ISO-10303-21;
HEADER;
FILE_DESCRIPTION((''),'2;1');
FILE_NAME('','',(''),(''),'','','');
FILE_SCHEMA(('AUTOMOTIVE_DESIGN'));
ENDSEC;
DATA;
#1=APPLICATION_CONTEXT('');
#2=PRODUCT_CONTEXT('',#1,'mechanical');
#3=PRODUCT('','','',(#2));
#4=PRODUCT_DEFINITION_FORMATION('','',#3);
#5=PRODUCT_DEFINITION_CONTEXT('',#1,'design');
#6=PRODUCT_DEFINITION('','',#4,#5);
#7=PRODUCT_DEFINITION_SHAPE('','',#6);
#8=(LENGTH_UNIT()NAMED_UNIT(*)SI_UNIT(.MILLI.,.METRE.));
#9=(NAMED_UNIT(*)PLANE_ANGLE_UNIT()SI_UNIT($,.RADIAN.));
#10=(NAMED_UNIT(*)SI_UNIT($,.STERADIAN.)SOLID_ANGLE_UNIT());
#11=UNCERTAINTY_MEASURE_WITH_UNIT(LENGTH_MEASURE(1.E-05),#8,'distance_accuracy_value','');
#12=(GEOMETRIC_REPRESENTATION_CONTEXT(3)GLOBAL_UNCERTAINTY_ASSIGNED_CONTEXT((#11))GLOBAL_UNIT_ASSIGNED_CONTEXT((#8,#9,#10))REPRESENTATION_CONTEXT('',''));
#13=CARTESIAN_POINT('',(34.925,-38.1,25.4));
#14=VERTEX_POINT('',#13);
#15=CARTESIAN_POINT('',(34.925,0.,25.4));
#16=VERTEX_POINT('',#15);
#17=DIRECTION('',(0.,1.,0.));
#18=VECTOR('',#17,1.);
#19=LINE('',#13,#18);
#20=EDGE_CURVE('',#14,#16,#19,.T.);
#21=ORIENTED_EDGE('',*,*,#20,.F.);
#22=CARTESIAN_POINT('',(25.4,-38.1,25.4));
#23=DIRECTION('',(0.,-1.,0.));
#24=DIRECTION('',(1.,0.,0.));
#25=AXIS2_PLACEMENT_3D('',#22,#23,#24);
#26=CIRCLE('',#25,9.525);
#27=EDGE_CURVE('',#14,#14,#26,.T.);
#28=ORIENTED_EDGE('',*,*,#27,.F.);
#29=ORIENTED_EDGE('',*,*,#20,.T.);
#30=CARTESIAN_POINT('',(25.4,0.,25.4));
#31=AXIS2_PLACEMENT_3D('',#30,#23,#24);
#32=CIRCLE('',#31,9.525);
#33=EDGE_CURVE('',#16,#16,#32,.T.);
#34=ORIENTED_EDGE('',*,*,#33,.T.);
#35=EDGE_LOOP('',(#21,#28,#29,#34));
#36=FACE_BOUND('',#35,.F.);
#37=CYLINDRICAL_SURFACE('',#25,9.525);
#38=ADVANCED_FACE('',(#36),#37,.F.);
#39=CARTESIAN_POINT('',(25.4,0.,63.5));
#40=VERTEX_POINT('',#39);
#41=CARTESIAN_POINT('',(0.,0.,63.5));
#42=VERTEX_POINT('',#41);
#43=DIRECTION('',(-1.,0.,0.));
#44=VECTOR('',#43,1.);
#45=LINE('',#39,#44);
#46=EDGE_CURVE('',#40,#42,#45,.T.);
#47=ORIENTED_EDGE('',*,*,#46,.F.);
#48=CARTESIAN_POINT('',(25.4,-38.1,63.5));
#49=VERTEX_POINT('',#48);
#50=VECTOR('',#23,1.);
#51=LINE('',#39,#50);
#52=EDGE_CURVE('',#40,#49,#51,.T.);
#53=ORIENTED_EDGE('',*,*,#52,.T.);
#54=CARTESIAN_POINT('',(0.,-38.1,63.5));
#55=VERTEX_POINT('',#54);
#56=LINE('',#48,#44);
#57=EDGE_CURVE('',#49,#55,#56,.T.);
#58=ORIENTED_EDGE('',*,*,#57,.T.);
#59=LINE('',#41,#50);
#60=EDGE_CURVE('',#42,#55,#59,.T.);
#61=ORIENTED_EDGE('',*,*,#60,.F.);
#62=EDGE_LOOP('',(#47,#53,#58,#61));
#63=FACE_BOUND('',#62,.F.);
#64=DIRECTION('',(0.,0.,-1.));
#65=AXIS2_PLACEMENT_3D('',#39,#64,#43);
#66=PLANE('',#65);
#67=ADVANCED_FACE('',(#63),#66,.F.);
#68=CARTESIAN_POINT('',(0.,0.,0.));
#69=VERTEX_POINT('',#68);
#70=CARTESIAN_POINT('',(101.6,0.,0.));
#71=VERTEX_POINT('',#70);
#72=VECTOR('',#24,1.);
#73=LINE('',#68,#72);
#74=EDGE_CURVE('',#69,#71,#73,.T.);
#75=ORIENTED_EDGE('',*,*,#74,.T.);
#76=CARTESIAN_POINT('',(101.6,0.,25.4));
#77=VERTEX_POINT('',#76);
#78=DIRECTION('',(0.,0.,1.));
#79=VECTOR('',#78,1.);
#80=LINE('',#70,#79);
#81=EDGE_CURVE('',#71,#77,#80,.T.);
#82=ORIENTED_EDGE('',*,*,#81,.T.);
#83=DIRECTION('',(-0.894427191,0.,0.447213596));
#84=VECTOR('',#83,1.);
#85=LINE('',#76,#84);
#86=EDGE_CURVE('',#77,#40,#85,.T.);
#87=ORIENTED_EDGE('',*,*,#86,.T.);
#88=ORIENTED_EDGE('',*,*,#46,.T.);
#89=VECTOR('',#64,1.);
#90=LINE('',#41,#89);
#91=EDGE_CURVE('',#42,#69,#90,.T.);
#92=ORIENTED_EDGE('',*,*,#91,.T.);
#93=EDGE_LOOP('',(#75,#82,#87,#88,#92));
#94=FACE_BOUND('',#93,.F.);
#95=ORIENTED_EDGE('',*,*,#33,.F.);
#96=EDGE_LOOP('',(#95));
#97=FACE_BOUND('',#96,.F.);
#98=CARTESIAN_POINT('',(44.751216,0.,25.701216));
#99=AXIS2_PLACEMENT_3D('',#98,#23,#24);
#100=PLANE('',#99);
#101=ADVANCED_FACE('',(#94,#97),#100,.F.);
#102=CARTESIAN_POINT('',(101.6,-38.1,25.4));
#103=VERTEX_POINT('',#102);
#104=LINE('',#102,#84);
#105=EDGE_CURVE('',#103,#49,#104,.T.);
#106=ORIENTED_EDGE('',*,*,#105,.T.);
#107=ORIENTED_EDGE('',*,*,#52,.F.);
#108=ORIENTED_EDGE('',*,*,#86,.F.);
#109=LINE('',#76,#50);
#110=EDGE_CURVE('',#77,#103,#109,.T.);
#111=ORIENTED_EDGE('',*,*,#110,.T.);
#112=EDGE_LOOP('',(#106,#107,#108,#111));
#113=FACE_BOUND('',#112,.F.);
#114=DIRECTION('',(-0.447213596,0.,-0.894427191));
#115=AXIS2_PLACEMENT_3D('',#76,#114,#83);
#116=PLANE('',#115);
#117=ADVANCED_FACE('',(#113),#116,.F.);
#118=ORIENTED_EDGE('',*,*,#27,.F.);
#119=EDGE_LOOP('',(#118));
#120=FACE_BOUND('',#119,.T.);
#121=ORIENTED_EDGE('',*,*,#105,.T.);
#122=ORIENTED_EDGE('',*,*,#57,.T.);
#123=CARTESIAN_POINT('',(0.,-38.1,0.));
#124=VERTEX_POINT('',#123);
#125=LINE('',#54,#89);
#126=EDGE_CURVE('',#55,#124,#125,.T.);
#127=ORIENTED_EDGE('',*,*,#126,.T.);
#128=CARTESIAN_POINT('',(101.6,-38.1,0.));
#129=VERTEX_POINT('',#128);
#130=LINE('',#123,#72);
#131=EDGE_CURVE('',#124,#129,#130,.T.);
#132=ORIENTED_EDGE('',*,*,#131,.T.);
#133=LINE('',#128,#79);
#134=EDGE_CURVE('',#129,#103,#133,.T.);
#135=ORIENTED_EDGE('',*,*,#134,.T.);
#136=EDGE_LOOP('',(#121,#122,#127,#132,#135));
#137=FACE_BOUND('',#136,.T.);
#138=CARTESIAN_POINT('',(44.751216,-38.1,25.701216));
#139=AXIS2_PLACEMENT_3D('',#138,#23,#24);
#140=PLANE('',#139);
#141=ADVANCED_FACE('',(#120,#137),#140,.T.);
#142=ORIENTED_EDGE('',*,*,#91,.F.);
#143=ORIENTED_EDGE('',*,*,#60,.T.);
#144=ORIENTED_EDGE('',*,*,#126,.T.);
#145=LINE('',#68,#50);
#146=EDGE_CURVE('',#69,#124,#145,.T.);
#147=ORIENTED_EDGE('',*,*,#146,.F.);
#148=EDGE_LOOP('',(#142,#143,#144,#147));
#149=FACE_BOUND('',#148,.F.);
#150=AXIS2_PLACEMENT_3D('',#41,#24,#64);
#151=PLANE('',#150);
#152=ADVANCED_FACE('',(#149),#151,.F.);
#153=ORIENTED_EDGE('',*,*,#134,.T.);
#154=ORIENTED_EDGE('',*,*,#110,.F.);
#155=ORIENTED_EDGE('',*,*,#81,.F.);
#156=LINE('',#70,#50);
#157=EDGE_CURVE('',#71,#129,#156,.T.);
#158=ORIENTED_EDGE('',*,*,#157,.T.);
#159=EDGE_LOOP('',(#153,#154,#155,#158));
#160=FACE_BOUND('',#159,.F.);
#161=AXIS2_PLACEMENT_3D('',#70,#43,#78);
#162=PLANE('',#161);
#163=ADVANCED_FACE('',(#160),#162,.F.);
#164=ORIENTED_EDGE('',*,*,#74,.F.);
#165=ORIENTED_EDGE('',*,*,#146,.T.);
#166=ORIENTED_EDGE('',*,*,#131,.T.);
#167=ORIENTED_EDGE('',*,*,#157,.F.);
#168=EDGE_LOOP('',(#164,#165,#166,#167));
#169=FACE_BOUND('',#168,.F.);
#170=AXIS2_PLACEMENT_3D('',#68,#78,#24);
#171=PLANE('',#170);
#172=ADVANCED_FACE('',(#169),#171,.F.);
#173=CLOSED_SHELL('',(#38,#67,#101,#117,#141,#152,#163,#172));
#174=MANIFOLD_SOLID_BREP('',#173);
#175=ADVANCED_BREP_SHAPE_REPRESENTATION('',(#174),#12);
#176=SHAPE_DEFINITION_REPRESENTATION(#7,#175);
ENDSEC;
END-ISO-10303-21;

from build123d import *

# Parameters (mm, degrees)
F1_DEPTH = 38.1
F2_R     = 9.525
F3_DEPTH = 38.101


with BuildPart() as f1:
    # F0 (on Front) → F1 (new body)
    with BuildSketch(Plane.XZ):
        Polygon((0, 63.5), (0, 0), (101.6, 0), (101.6, 25.4), (25.4, 63.5), align=None)
    extrude(amount=F1_DEPTH)

    # F2 (on face) → F3 (cut, through all)
    with BuildSketch(Plane.XZ.offset(38.1)):
        with Locations((25.4, 25.4)):
            Circle(F2_R)
    extrude(amount=-F3_DEPTH, mode=Mode.SUBTRACT)


solid = f1.part
